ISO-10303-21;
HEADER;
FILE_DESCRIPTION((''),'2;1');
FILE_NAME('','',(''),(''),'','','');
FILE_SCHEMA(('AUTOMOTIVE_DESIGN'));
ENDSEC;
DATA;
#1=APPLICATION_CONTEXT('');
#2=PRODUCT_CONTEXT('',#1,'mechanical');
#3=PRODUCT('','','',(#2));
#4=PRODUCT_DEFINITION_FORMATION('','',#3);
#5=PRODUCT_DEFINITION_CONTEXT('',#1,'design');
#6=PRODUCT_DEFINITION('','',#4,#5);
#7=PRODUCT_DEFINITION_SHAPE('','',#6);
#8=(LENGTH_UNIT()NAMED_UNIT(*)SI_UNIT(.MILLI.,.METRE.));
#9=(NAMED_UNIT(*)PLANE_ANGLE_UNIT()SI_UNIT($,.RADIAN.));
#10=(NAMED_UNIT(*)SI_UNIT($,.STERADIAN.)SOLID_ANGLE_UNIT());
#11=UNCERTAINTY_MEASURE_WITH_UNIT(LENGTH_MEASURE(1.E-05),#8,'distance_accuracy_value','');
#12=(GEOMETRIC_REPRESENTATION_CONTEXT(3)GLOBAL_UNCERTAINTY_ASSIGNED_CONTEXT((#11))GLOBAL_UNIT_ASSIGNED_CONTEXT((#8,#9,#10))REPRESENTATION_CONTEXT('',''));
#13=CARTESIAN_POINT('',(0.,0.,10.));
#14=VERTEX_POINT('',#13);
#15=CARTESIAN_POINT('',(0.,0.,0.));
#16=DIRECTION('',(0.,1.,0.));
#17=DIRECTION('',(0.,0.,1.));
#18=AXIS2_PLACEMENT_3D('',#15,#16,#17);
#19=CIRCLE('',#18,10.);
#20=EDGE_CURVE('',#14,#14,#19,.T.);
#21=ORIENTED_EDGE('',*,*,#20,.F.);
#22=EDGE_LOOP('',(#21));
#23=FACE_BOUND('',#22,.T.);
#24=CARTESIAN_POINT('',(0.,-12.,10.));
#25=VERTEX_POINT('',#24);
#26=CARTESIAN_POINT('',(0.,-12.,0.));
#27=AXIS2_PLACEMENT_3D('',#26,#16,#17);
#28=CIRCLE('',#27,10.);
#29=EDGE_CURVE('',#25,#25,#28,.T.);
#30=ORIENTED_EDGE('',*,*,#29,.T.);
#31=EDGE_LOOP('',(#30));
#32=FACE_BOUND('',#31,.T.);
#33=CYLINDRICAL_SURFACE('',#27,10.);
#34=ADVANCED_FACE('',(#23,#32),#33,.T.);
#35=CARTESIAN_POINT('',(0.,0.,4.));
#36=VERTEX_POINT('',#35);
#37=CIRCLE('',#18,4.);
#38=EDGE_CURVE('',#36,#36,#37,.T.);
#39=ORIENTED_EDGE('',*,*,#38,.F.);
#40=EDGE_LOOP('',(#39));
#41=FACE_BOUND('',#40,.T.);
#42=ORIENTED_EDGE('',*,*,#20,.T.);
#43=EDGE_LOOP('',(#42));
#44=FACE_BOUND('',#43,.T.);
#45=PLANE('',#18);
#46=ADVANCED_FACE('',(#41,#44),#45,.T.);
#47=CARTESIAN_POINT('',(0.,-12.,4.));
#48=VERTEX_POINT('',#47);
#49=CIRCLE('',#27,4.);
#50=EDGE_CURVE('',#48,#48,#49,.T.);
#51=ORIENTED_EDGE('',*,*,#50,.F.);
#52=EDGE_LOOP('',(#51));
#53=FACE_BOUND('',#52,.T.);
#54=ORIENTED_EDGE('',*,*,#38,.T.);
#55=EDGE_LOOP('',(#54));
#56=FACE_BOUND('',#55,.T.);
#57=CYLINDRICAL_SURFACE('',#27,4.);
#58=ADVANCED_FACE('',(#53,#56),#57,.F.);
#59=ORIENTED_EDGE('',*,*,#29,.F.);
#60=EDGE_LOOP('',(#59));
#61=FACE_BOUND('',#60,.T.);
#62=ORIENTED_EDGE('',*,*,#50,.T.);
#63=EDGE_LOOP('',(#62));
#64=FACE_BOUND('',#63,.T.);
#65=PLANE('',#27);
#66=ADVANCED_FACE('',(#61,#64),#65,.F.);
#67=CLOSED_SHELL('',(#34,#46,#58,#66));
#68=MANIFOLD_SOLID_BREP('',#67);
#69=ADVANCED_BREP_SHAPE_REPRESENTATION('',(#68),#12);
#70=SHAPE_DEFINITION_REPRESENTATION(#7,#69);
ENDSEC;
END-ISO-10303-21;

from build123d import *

# Parameters (mm, degrees)
SKETCH1_R           = 10
SKETCH1_R_2         = 4
BOSS_EXTRUDE1_DEPTH = 12


with BuildPart() as part:
    # Sketch1 → Boss-Extrude1 (new body)
    with BuildSketch(Plane(origin=(0, 0, 0), x_dir=(1, 0, 0), z_dir=(0, 1, 0))):
        Circle(SKETCH1_R)
        Circle(SKETCH1_R_2, mode=Mode.SUBTRACT)
    extrude(amount=-BOSS_EXTRUDE1_DEPTH)


solid = part.part
